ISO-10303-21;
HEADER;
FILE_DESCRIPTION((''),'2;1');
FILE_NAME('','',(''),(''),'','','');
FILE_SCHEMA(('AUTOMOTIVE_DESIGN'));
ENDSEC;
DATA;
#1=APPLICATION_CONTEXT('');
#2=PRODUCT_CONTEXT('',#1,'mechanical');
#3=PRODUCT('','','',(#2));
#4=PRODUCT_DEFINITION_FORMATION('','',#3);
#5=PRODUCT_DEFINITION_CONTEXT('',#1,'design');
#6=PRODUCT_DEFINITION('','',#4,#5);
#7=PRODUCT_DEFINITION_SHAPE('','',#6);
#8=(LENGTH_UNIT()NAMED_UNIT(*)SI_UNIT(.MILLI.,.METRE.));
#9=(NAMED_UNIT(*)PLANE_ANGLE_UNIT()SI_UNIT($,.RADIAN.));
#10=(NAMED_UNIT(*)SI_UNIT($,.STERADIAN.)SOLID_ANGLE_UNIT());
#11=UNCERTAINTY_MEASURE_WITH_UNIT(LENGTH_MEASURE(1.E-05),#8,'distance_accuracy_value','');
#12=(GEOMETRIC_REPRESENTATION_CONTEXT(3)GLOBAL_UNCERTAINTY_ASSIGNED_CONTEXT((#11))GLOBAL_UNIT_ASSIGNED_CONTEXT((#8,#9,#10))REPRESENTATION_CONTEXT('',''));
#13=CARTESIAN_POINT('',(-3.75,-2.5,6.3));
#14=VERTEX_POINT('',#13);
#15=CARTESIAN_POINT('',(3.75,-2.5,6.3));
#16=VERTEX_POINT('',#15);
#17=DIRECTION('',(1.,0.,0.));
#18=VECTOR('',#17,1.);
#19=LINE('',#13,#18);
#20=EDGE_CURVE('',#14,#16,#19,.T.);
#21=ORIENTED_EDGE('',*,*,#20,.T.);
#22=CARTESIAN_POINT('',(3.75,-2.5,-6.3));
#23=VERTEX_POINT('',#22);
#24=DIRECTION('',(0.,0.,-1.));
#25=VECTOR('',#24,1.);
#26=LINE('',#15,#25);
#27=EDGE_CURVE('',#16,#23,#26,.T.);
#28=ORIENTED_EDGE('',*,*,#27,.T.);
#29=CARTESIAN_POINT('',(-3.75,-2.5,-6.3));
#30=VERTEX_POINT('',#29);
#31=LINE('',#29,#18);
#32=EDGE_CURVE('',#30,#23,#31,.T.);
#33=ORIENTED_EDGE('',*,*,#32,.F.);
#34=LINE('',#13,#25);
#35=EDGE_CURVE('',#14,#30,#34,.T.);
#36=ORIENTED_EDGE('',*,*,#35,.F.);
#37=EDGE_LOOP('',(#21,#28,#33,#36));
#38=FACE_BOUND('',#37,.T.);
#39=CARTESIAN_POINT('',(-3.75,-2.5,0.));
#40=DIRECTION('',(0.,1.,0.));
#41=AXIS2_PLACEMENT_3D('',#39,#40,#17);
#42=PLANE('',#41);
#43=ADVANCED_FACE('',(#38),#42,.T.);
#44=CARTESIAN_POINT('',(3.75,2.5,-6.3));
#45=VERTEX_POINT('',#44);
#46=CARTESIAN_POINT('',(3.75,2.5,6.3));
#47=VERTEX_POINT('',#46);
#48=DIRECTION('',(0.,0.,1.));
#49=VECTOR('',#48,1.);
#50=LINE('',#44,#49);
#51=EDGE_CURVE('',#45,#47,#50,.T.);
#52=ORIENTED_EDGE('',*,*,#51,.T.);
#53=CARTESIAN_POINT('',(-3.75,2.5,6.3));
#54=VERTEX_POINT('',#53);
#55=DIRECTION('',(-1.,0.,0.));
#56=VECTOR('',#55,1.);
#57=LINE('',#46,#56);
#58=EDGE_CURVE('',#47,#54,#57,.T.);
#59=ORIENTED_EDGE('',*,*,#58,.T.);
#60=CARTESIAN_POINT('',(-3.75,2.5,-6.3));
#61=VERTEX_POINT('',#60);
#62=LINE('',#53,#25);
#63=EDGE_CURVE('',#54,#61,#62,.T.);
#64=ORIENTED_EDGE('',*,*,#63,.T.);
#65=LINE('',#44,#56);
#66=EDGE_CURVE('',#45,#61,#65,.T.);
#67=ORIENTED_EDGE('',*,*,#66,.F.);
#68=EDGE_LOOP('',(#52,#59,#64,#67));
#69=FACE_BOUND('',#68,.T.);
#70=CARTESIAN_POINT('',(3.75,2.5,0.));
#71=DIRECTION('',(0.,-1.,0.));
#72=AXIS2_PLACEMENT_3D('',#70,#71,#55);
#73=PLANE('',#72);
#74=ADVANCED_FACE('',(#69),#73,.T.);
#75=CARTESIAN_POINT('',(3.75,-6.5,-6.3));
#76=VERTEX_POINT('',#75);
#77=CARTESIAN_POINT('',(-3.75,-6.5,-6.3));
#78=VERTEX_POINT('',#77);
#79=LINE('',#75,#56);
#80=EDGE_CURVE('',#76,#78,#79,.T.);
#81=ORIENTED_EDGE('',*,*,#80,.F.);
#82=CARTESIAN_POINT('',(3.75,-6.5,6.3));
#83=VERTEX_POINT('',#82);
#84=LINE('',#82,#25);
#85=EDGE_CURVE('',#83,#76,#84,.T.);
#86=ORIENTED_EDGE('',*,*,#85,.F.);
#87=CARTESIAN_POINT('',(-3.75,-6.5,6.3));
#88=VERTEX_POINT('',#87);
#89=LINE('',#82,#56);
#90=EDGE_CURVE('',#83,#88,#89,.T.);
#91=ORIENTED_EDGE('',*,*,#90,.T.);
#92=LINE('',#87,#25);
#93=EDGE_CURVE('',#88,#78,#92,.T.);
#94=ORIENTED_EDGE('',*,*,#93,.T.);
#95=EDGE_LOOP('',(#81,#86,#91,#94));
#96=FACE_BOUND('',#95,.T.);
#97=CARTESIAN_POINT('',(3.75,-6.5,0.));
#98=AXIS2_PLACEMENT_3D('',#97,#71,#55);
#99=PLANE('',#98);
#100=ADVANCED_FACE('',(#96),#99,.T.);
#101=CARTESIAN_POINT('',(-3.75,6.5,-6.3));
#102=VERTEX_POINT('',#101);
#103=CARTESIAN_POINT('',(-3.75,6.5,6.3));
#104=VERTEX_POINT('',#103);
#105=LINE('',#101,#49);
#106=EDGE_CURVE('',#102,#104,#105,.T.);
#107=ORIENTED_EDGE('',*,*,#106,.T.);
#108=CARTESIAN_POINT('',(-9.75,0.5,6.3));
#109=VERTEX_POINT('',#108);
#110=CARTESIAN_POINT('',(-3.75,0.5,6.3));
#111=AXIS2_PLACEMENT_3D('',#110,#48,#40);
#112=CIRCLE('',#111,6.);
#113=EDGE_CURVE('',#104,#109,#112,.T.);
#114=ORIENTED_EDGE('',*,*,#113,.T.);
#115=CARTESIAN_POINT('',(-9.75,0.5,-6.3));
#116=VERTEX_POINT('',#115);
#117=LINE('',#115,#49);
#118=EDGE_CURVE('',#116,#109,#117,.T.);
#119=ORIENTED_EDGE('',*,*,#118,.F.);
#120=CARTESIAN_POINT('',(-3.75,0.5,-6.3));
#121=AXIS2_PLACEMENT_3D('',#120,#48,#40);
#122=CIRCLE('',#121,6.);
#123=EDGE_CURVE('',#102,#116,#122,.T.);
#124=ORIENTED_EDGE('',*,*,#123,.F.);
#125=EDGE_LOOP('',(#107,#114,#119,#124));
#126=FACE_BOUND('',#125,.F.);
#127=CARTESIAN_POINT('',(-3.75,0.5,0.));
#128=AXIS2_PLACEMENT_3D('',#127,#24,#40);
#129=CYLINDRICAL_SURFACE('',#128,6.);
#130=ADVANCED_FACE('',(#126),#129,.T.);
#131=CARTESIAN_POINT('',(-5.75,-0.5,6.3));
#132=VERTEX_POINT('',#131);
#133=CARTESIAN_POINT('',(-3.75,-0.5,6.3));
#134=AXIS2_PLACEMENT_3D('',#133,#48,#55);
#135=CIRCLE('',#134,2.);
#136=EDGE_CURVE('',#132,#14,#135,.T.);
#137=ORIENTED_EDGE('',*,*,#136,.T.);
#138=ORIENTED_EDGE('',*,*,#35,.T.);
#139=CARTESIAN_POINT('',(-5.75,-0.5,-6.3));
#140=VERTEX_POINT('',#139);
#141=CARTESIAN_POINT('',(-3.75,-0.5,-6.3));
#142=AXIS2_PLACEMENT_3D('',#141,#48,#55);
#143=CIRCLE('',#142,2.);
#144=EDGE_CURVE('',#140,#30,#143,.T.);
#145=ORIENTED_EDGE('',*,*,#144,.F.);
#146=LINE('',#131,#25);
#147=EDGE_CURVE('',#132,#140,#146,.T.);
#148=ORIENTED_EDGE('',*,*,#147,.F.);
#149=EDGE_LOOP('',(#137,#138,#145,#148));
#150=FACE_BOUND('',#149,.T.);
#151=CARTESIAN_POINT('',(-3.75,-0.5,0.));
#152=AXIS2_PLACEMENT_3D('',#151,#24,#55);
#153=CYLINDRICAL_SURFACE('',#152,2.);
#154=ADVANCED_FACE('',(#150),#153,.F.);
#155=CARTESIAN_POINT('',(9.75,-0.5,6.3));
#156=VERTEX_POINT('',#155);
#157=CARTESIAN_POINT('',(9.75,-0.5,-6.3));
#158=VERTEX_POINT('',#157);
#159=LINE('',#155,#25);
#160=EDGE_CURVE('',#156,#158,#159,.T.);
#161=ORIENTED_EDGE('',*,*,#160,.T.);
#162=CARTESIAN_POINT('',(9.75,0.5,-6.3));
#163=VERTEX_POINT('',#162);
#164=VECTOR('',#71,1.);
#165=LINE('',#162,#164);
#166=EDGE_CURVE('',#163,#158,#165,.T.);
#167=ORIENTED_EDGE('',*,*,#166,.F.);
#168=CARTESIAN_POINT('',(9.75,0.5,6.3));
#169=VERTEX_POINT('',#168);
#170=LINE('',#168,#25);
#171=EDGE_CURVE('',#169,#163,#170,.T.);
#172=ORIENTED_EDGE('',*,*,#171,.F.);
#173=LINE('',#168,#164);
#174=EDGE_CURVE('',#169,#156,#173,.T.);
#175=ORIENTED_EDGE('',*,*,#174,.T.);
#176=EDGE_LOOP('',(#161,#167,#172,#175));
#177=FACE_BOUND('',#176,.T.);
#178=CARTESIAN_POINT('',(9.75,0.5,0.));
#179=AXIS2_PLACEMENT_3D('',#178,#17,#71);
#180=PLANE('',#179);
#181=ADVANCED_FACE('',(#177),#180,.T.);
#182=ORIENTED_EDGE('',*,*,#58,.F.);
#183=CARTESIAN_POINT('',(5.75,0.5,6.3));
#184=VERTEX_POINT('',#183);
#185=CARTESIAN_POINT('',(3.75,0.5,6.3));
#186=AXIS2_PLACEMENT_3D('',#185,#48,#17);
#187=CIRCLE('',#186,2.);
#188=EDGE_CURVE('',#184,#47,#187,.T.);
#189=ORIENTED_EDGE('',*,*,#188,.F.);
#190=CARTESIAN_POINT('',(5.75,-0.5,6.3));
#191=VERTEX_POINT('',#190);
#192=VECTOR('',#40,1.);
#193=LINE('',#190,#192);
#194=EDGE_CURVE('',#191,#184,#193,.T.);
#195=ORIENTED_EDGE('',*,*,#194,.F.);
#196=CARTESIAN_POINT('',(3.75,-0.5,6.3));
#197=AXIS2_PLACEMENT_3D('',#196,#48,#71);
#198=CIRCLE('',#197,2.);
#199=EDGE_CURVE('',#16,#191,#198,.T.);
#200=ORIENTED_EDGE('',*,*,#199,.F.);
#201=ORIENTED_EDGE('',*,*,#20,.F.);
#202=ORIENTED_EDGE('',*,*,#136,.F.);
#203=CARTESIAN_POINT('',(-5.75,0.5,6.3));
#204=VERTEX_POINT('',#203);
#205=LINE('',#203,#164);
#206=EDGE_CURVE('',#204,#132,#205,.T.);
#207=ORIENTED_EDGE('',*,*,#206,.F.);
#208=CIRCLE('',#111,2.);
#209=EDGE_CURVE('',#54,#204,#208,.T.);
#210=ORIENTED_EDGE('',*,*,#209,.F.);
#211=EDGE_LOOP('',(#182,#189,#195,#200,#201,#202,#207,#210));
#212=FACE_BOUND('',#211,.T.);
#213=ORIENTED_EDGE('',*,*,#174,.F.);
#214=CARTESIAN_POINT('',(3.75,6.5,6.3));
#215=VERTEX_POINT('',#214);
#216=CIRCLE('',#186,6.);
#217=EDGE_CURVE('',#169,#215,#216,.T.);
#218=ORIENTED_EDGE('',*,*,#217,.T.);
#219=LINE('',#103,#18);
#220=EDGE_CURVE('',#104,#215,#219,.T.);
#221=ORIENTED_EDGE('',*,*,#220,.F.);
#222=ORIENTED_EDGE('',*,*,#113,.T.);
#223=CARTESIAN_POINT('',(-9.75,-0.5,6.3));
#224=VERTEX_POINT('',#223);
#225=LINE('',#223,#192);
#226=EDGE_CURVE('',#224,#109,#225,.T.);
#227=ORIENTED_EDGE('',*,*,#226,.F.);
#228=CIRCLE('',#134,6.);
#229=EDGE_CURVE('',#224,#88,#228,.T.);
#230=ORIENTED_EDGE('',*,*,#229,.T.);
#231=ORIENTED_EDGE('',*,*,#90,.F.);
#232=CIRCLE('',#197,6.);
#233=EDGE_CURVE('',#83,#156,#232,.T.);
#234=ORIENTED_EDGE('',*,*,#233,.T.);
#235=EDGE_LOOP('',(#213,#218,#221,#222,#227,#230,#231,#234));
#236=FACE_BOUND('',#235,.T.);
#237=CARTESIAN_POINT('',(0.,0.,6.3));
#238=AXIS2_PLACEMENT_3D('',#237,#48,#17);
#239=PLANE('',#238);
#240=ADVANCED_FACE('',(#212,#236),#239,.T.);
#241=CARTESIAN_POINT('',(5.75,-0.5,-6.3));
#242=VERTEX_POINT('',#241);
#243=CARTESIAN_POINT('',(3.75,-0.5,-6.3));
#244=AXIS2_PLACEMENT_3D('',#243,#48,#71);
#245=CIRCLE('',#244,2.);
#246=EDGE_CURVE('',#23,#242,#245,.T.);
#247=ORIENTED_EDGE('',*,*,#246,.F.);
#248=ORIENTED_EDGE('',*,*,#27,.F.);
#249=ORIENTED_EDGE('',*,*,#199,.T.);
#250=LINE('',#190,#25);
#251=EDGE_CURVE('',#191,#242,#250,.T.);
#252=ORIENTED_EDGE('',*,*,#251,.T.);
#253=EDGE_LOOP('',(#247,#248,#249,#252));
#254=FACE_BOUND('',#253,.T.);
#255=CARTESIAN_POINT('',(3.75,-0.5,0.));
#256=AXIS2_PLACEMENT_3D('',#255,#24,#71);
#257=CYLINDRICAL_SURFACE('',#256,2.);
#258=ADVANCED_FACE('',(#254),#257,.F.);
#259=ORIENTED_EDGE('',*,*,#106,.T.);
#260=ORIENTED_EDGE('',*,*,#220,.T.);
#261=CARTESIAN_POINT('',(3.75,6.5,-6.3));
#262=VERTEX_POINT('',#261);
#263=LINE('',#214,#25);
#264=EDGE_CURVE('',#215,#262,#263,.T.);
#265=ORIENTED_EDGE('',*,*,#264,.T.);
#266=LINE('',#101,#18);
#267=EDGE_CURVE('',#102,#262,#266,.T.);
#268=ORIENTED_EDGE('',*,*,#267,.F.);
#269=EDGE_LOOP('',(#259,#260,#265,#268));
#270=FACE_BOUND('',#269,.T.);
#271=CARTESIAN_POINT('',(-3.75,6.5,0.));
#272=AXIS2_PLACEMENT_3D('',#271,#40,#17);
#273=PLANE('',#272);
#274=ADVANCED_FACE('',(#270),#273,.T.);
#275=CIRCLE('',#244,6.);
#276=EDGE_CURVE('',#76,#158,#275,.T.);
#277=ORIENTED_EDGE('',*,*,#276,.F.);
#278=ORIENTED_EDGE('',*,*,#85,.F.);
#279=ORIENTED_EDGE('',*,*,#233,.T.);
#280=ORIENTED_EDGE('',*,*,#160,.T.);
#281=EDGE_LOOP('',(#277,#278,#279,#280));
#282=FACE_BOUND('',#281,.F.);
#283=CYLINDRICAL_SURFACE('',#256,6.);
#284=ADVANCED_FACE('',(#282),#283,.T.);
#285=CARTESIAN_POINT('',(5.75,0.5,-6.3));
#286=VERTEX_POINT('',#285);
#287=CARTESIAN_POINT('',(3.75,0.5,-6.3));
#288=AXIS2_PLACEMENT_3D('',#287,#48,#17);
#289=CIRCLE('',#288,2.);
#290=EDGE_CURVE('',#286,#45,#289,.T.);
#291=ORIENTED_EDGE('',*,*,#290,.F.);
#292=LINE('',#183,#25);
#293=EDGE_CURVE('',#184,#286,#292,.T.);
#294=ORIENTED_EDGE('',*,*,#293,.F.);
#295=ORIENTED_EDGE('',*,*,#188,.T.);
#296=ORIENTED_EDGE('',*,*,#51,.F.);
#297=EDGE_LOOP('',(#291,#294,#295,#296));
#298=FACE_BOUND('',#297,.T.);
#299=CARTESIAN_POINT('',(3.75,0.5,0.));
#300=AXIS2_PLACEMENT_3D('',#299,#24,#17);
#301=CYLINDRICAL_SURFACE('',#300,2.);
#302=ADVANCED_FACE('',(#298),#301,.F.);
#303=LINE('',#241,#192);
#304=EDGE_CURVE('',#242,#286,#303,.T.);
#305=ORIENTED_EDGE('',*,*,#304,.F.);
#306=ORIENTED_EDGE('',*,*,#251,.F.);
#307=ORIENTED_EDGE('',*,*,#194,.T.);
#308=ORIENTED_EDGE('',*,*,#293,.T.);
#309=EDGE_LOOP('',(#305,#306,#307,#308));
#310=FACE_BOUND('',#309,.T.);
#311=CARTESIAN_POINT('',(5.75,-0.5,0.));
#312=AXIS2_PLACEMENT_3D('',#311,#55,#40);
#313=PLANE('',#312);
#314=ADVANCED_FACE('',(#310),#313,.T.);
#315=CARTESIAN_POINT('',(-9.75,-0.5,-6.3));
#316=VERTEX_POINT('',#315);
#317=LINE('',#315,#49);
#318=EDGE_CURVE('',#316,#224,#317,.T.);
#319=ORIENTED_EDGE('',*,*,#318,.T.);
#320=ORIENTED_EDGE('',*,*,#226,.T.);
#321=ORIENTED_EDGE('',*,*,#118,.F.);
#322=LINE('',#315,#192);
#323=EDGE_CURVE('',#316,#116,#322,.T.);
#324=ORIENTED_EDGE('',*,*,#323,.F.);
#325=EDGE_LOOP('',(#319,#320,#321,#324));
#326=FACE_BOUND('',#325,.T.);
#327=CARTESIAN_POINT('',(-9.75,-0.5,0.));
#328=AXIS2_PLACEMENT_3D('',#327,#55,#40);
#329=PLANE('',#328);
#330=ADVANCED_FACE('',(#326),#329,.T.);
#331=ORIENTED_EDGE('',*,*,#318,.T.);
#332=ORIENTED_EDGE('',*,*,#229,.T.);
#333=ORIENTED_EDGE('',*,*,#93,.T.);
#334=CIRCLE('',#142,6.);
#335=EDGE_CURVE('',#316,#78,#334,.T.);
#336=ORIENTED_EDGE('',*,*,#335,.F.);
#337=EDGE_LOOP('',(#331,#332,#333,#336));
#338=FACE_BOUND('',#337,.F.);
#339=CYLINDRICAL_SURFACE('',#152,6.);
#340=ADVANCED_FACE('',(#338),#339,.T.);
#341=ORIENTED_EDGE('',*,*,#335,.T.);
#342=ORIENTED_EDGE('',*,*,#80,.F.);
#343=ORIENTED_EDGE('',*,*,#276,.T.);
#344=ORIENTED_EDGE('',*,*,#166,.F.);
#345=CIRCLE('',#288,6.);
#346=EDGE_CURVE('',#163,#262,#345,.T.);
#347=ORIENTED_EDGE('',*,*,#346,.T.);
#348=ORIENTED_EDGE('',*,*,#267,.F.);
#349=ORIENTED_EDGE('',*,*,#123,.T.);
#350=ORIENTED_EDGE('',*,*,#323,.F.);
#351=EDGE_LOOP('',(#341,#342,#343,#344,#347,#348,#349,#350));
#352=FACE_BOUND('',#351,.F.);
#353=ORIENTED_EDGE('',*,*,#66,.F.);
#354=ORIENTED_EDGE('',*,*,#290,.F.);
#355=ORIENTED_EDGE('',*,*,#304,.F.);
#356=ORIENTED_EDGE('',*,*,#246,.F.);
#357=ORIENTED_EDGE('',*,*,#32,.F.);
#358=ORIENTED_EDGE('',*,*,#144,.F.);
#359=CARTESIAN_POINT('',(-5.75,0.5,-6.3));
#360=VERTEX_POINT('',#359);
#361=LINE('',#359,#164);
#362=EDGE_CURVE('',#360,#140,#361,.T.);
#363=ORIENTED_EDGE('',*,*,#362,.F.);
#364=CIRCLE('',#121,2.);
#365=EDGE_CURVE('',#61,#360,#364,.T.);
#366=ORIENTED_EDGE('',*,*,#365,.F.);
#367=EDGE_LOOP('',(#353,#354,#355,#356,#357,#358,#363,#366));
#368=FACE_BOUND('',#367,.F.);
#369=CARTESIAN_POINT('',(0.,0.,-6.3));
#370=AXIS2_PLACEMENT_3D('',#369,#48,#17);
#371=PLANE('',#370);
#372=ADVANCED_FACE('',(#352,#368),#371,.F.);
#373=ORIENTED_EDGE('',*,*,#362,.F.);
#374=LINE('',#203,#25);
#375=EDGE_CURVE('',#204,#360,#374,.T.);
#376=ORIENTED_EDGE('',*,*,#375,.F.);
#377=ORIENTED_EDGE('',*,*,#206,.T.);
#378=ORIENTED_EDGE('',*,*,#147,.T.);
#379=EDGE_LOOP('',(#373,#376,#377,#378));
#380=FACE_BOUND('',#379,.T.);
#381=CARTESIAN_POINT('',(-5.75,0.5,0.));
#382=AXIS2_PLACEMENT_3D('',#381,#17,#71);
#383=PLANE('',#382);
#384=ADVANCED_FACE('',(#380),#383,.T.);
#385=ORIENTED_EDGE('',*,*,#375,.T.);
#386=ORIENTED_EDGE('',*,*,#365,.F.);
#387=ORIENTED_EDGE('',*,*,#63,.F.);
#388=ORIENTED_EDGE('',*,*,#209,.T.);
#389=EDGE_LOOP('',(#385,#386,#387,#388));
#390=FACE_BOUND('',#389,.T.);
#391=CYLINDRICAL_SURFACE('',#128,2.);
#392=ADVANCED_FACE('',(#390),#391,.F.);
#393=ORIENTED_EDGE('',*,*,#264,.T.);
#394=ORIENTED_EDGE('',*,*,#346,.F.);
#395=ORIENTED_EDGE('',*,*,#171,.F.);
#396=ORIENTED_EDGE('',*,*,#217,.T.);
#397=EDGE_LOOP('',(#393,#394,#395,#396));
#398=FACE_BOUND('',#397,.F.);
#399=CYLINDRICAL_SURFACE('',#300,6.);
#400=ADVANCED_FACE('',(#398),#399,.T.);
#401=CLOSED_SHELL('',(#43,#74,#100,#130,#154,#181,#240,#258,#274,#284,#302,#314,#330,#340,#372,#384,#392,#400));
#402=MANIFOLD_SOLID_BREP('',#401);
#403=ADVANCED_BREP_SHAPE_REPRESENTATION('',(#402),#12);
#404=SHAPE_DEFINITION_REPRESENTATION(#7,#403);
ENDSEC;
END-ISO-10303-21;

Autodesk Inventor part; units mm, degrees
ref_plane "YZ Plane" through (0, 0, 0) normal (1, 0, 0) x (0, 1, 0)
ref_plane "XZ Plane" through (0, 0, 0) normal (0, 1, 0) x (-1, 0, 0)
ref_plane "XY Plane" through (0, 0, 0) normal (0, 0, 1) x (1, 0, 0)
sketch "Skizze1" plane through (0, 0, 0) normal (0, 0, 1) x (1, 0, 0)
  line L0 (-3.75, 6.5) -> (3.75, 6.5)
  line L1 (9.75, 0.5) -> (9.75, -0.5)
  line L2 (3.75, -6.5) -> (-3.75, -6.5)
  line L3 (-9.75, -0.5) -> (-9.75, 0.5)
  arc A0 (-3.75, 6.5) -> (-9.75, 0.5) centre (-3.75, 0.5) ccw
  arc A1 (-9.75, -0.5) -> (-3.75, -6.5) centre (-3.75, -0.5) ccw
  arc A2 (3.75, -6.5) -> (9.75, -0.5) centre (3.75, -0.5) ccw
  arc A3 (9.75, 0.5) -> (3.75, 6.5) centre (3.75, 0.5) ccw
  line L4 (3.75, 2.5) -> (-3.75, 2.5)
  arc A4 (-3.75, 2.5) -> (-5.75, 0.5) centre (-3.75, 0.5) ccw
  line L5 (-5.75, 0.5) -> (-5.75, -0.5)
  arc A5 (-5.75, -0.5) -> (-3.75, -2.5) centre (-3.75, -0.5) ccw
  line L6 (-3.75, -2.5) -> (3.75, -2.5)
  arc A6 (3.75, -2.5) -> (5.75, -0.5) centre (3.75, -0.5) ccw
  line L7 (5.75, -0.5) -> (5.75, 0.5)
  arc A7 (5.75, 0.5) -> (3.75, 2.5) centre (3.75, 0.5) ccw
  line L8 (-7.9926, 4.7426) -> (7.9926, -4.7426) construction
  point P0 (0, 0)
  point P1 (9.75, -6.5)
  point P2 (9.75, 6.5)
  point P3 (-9.75, -6.5)
  point P4 (0, 0)
  dimension "d0" = 19.5
  dimension "d1" = 13
  dimension "d2" = 6
  dimension "d3" = 6
  dimension "d4" = 6
  dimension "d5" = 4
extrude "Extrusion1" add sketch "Skizze1" along normal mid plane 12.6
properties part number "neues_bauteil"
